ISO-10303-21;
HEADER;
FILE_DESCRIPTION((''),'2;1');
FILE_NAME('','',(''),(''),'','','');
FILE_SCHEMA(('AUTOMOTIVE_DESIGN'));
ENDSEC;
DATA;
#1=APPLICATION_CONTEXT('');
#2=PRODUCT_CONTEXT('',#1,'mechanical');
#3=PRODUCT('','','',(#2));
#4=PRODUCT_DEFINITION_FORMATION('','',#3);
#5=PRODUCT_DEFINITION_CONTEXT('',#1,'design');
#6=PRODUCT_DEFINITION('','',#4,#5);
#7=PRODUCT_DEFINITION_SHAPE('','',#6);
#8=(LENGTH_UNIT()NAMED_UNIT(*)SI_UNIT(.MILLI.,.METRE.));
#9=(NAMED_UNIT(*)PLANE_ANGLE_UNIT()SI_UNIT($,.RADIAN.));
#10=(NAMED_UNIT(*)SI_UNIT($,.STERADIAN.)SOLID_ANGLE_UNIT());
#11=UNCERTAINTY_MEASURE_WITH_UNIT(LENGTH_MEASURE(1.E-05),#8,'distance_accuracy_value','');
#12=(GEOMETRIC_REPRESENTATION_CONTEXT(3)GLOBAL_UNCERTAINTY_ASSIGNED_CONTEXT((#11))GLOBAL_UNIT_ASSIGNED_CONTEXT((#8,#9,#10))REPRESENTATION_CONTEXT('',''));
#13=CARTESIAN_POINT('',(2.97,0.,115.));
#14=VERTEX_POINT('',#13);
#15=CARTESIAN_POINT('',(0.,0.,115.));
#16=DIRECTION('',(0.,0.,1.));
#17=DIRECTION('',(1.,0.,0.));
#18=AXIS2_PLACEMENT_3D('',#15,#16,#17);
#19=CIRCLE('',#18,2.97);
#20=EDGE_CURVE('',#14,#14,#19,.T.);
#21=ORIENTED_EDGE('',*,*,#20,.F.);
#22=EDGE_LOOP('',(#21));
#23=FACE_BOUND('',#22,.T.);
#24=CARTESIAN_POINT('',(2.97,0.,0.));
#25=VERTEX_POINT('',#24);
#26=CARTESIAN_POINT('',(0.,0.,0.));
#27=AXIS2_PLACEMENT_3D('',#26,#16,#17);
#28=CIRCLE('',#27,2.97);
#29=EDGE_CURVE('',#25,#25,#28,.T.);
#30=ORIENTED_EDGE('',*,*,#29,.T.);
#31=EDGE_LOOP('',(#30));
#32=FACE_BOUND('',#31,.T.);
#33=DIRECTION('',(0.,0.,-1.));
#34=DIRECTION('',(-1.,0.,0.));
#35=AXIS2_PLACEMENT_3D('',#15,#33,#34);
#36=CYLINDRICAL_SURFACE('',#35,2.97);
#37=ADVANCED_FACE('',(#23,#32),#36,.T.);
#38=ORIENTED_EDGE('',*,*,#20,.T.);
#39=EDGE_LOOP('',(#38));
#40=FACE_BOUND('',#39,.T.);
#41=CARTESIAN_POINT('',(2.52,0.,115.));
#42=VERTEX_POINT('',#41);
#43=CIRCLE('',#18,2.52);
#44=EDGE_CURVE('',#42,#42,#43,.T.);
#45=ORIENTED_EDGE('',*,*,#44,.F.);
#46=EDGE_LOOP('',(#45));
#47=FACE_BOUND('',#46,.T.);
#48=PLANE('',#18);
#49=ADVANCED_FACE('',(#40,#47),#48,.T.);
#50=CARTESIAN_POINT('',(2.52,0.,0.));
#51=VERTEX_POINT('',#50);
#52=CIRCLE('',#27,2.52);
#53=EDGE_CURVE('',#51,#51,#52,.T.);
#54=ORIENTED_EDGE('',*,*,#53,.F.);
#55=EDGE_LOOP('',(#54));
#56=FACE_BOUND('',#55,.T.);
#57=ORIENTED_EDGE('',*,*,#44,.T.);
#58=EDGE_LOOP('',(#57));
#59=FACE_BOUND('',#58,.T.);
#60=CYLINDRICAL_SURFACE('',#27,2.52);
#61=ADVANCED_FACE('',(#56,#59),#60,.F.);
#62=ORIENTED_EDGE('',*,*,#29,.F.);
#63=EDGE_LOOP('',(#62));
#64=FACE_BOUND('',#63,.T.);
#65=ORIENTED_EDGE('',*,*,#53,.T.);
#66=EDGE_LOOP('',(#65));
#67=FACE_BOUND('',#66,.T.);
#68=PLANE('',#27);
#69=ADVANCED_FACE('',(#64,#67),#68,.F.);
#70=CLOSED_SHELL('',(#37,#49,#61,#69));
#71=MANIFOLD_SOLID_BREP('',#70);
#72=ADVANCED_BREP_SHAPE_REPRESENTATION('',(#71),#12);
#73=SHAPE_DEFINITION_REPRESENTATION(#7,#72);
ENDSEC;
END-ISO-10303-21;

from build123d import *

# Parameters (mm, degrees)
ESQUISSE1_R             = 2.97
BOSS_EXTRU_1_DEPTH      = 115
ESQUISSE2_R             = 2.52
ENL_V_MAT_EXTRU_1_DEPTH = 116.076677915


with BuildPart() as part:
    # Esquisse1 → Boss.-Extru.1 (new body)
    with BuildSketch(Plane.XY):
        Circle(ESQUISSE1_R)
    extrude(amount=BOSS_EXTRU_1_DEPTH)

    # Esquisse2 → Enlèv. mat.-Extru.1 (cut, through all)
    with BuildSketch(Plane.XY.offset(115)):
        Circle(ESQUISSE2_R)
    extrude(amount=-ENL_V_MAT_EXTRU_1_DEPTH, mode=Mode.SUBTRACT)


solid = part.part
